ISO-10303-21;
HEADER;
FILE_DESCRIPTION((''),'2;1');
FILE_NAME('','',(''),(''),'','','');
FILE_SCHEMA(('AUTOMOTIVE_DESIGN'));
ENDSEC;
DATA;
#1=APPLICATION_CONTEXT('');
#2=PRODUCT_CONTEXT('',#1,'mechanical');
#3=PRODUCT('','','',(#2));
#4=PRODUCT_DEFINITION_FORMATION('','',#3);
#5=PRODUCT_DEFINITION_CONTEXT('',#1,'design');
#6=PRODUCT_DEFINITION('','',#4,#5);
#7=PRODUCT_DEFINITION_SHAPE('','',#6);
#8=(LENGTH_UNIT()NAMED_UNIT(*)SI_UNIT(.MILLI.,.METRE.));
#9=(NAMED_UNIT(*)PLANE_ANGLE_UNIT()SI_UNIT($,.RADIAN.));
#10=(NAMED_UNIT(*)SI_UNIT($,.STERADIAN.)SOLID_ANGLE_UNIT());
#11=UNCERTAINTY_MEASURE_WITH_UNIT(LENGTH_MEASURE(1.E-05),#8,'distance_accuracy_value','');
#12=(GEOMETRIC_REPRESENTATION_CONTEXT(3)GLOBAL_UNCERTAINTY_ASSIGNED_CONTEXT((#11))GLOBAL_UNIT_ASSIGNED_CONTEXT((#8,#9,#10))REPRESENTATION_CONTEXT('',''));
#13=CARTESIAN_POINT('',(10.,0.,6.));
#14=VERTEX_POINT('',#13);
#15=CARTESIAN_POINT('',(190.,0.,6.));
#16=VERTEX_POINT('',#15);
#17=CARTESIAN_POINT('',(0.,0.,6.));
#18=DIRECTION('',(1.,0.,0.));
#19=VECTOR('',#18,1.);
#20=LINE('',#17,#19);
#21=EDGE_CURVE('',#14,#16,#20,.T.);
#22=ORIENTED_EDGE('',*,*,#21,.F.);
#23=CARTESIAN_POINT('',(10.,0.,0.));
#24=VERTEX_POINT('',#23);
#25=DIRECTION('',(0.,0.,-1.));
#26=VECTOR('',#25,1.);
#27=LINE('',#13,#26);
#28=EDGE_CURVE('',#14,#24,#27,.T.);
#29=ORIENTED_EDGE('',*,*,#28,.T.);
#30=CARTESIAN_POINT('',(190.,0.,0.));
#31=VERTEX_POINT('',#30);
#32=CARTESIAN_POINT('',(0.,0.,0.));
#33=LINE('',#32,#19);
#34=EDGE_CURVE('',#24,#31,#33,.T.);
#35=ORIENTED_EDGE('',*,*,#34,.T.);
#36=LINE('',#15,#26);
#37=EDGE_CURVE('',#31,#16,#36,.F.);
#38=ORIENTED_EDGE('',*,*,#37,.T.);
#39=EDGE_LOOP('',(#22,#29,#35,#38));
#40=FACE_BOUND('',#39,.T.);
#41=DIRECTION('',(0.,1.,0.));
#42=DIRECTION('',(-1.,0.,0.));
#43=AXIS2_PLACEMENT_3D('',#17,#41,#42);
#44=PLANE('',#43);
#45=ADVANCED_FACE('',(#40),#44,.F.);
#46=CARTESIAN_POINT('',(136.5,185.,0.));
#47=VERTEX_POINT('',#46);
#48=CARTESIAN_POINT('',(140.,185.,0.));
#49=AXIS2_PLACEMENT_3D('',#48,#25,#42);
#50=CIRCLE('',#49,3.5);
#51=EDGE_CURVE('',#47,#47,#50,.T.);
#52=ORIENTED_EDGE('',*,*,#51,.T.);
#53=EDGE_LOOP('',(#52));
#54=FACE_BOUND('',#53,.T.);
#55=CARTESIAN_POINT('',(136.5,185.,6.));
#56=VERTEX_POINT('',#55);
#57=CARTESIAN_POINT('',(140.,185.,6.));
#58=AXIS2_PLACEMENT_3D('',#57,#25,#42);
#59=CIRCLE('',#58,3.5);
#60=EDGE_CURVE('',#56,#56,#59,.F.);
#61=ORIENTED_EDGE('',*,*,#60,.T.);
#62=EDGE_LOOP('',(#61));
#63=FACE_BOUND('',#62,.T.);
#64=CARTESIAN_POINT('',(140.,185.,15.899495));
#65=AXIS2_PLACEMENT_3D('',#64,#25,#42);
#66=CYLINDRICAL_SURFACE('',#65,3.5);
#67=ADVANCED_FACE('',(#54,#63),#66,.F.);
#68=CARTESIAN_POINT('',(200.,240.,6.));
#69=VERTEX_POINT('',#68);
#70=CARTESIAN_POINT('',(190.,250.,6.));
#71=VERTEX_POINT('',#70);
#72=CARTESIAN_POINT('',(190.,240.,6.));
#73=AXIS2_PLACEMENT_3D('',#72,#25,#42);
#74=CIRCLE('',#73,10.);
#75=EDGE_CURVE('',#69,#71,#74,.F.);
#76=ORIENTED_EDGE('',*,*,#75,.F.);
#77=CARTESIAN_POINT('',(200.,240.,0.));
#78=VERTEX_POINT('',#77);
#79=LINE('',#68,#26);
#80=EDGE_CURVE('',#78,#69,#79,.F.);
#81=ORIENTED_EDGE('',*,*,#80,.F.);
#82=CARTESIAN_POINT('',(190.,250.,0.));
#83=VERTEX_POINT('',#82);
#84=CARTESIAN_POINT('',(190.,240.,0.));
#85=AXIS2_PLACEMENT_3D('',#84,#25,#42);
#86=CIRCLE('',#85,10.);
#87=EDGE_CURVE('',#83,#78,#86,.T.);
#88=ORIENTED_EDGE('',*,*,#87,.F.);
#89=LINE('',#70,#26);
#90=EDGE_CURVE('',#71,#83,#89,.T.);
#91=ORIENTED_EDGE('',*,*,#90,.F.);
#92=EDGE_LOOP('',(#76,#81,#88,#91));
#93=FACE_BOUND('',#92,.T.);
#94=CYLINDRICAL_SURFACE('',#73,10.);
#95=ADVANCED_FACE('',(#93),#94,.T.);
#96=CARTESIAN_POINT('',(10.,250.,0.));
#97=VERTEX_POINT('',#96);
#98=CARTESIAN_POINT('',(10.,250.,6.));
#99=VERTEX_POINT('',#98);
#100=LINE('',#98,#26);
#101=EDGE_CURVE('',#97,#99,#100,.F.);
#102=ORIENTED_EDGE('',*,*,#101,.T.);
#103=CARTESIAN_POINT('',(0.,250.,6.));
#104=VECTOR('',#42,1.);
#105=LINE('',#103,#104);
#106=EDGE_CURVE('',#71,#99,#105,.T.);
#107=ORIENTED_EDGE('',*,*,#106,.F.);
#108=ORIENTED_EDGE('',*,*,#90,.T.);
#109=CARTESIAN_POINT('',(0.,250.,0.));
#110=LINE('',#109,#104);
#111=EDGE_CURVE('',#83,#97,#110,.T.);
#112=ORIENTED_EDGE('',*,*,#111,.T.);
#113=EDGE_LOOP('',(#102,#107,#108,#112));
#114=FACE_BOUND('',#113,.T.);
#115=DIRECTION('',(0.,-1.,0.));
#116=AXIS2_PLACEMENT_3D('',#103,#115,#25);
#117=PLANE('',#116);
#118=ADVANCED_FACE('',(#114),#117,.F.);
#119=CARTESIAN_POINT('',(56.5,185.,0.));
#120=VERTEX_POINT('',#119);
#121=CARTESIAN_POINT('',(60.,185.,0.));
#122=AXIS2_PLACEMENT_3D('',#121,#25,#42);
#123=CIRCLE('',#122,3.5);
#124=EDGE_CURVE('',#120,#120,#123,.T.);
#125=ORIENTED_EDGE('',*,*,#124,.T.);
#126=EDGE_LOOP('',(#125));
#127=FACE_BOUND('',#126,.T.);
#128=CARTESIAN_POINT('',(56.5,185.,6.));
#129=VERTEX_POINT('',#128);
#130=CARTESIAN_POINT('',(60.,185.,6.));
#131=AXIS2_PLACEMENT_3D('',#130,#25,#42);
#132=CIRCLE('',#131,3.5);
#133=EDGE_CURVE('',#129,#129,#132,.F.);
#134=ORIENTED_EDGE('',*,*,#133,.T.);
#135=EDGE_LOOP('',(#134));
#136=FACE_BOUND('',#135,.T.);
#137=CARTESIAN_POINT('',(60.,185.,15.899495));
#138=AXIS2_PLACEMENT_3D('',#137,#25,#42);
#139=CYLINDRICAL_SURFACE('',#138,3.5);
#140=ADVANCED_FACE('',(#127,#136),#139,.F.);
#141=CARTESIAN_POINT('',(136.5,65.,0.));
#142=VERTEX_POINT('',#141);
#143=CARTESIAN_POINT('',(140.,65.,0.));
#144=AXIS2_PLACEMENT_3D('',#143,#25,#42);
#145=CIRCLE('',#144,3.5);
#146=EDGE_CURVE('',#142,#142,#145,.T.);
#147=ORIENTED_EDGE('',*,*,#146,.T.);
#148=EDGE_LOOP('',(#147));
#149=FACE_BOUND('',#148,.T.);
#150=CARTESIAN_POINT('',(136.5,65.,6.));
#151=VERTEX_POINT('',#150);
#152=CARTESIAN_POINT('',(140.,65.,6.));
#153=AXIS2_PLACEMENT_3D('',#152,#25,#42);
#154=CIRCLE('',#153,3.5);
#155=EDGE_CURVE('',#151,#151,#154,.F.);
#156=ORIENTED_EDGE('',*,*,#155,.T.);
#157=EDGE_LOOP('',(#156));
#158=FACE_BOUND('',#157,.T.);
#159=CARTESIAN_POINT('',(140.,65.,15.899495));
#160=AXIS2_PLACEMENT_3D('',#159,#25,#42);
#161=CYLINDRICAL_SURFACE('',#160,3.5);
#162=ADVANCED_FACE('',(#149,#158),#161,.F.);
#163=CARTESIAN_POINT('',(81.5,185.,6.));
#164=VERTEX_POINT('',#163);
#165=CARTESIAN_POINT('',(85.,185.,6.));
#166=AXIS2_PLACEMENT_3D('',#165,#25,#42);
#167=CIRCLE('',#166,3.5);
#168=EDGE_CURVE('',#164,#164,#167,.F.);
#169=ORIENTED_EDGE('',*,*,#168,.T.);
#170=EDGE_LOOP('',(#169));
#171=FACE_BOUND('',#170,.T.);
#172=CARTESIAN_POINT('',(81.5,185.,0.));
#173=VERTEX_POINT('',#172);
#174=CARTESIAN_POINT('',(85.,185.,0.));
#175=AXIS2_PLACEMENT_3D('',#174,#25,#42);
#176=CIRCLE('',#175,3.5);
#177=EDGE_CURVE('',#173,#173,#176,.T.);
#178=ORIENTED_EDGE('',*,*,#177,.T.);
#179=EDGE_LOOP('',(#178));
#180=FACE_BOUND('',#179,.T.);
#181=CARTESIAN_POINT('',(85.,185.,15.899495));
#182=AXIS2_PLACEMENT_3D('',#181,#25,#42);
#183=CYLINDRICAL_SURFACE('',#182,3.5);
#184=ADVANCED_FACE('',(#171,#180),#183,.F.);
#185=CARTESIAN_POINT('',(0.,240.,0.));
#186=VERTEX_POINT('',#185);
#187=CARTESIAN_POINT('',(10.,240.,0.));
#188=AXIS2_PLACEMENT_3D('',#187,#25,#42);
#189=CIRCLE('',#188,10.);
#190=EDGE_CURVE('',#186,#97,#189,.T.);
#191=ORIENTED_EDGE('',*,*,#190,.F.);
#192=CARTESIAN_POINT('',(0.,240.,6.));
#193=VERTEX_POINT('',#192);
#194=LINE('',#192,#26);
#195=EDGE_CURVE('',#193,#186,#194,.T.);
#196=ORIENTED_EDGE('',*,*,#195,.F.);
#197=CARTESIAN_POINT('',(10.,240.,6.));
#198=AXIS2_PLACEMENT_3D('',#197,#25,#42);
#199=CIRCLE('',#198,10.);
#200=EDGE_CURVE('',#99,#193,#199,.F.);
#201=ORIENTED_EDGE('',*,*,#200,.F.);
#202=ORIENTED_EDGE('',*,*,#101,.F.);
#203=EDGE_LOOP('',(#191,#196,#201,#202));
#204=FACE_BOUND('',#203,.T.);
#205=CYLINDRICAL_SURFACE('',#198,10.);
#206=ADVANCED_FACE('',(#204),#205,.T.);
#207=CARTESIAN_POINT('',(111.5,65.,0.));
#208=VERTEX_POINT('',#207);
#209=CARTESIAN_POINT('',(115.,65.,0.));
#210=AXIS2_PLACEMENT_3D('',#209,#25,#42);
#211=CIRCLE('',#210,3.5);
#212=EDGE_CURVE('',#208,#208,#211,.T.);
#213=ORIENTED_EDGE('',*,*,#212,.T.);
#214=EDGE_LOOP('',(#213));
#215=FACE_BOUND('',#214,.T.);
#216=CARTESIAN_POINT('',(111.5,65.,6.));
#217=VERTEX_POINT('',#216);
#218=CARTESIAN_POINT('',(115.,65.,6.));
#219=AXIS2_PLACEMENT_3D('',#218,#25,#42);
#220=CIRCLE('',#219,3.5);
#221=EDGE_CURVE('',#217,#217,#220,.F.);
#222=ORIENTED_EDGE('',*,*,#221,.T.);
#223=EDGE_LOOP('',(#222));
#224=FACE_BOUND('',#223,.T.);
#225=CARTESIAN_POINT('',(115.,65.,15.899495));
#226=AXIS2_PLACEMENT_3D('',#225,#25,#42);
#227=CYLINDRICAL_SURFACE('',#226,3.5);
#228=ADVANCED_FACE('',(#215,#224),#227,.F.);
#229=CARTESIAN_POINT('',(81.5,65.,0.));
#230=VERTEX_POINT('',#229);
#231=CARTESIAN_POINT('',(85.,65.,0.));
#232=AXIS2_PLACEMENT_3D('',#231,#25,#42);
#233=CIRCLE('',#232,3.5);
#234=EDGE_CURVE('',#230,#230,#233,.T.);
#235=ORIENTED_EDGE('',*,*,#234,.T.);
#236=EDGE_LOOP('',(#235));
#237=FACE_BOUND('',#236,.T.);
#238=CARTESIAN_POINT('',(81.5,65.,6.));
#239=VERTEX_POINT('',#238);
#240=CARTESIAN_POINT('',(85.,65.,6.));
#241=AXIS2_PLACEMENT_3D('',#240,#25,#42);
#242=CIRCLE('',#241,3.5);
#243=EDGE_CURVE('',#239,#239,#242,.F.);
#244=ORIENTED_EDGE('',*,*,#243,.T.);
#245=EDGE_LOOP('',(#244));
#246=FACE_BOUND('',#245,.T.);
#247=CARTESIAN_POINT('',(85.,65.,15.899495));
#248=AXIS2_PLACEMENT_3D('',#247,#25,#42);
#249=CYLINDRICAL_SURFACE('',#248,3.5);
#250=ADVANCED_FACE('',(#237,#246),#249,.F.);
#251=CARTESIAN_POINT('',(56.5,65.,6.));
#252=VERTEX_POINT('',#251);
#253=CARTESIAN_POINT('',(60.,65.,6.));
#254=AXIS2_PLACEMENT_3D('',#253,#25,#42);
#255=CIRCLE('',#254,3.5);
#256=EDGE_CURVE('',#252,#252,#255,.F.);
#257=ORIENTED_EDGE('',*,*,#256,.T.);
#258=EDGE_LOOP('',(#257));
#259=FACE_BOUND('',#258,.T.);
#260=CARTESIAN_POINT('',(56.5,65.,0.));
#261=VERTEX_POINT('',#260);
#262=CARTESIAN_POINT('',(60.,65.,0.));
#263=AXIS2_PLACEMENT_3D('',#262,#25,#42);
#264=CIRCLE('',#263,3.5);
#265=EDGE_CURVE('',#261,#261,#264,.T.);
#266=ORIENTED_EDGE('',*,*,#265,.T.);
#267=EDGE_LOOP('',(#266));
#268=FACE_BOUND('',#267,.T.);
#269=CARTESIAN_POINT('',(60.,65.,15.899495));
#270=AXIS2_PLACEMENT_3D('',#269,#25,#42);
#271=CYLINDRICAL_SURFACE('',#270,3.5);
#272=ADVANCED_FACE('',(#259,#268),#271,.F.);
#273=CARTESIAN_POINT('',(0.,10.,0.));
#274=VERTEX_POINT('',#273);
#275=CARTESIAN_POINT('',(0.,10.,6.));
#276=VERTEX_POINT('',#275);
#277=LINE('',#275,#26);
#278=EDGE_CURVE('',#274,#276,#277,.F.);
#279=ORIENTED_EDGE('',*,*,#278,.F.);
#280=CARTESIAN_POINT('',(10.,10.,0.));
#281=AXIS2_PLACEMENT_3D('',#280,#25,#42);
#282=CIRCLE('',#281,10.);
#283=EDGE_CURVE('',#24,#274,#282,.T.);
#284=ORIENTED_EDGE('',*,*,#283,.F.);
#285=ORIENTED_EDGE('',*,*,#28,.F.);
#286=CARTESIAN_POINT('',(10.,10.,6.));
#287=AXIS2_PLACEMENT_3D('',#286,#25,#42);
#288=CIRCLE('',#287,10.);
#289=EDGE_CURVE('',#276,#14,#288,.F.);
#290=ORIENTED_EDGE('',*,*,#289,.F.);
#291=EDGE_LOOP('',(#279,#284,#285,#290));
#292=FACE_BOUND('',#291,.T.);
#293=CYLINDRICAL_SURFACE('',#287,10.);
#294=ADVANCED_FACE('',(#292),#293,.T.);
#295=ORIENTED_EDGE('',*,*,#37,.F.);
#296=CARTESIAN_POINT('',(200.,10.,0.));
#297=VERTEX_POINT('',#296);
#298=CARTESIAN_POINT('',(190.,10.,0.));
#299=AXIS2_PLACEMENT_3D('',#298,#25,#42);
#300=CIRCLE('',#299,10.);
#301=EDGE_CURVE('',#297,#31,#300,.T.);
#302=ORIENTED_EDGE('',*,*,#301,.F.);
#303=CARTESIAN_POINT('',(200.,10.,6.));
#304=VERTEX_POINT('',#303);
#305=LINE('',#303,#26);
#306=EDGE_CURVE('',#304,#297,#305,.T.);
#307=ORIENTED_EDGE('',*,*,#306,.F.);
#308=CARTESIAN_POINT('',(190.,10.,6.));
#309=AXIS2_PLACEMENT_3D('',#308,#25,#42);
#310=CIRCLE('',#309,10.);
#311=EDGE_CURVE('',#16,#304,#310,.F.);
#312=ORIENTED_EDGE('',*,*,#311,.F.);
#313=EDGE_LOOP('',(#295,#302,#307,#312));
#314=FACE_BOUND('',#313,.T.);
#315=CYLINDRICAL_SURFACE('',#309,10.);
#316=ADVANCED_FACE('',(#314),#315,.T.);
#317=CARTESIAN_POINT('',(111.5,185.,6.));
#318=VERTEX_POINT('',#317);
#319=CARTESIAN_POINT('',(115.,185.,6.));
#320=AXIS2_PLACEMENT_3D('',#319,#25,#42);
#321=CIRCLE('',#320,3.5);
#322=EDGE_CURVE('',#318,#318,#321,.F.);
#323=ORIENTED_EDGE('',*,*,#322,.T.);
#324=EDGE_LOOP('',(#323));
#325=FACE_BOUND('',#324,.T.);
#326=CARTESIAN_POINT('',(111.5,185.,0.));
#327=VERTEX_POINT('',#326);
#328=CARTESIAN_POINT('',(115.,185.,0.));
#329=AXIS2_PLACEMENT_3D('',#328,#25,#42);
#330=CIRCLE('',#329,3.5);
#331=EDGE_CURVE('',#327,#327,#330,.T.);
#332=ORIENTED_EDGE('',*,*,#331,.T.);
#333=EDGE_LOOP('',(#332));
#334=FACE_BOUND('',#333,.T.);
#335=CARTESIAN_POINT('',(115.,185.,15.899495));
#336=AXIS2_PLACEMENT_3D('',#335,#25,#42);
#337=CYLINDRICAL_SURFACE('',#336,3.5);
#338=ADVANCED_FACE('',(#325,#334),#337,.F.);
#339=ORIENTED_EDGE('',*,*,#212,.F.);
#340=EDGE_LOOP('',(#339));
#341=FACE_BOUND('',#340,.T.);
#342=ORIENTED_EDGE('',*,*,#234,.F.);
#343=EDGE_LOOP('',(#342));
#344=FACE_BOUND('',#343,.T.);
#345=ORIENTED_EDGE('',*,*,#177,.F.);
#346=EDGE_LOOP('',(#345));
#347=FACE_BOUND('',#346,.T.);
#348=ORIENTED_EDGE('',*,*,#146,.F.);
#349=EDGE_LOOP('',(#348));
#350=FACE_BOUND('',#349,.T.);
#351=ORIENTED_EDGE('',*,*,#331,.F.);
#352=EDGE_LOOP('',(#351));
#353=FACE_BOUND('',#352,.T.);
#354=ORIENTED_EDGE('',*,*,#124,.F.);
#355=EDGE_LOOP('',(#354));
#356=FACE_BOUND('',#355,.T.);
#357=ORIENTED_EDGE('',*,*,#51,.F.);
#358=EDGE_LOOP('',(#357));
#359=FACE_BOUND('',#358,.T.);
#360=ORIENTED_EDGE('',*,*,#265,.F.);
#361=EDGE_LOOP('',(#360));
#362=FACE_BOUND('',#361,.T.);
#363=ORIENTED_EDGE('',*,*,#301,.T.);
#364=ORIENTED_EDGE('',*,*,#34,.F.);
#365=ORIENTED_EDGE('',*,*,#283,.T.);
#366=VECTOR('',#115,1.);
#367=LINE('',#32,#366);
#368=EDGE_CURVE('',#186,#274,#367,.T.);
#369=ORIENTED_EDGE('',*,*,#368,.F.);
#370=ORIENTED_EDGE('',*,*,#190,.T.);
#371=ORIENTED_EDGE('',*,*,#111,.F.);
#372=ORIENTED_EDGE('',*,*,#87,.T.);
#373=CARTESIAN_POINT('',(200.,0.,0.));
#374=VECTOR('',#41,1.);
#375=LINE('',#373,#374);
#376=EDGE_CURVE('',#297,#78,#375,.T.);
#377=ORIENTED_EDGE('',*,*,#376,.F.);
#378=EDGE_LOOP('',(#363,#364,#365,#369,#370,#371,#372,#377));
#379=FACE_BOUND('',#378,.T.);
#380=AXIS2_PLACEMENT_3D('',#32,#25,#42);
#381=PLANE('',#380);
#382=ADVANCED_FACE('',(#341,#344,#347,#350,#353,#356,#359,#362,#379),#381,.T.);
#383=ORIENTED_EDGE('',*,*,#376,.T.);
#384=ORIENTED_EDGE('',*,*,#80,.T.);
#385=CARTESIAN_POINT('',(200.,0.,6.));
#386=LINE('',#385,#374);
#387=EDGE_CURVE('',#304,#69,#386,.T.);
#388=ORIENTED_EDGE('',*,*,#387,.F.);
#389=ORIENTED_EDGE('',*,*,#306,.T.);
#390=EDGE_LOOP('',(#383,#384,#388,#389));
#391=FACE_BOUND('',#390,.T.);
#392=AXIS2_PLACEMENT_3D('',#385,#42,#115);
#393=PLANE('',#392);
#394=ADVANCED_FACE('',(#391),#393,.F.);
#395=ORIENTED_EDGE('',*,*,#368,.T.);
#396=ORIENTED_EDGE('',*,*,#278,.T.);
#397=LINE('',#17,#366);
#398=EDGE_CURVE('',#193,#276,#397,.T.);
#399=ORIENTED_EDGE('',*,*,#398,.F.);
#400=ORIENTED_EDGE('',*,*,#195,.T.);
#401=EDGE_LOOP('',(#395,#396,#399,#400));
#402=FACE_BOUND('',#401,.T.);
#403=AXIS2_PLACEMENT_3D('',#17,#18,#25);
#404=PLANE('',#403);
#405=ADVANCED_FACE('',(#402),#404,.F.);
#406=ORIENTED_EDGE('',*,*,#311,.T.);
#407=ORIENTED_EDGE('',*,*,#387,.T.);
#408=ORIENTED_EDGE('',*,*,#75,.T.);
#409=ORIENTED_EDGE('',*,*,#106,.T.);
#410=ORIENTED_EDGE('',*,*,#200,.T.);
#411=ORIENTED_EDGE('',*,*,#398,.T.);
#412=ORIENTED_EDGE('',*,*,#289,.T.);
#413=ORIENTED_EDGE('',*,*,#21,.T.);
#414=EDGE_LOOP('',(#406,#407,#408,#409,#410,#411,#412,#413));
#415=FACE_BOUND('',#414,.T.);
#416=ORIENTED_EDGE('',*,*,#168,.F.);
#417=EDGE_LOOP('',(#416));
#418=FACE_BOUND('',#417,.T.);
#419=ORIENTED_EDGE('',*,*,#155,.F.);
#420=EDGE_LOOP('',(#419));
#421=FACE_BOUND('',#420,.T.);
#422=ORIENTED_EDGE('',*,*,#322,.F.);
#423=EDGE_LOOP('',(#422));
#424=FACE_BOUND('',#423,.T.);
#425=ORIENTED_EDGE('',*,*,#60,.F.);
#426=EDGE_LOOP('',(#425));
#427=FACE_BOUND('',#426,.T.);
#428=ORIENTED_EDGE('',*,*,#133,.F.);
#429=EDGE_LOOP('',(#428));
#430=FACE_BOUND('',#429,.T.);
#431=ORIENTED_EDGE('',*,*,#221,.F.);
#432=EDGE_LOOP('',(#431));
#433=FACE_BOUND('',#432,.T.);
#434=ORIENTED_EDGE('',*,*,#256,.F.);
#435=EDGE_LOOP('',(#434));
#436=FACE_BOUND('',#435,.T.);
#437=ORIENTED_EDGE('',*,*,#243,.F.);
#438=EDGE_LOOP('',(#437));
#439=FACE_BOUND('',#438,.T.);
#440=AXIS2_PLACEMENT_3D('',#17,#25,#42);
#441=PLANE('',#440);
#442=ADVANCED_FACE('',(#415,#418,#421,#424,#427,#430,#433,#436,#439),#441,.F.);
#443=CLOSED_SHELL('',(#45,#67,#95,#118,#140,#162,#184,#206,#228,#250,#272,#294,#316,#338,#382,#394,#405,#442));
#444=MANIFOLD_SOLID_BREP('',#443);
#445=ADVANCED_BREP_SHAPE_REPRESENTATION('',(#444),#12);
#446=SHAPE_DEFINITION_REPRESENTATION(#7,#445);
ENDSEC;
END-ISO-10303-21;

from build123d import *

# Parameters (mm, degrees)
SKETCH1_W           = 200
SKETCH1_H           = 250
BOSS_EXTRUDE1_DEPTH = 6
SKETCH2_R           = 3.5
CUT_EXTRUDE1_DEPTH  = 6
FILLET1_R           = 10


with BuildPart() as part:
    # Sketch1 → Boss-Extrude1 (new body)
    with BuildSketch(Plane.XY):
        with Locations((100, 125)):
            Rectangle(SKETCH1_W, SKETCH1_H)
    extrude(amount=BOSS_EXTRUDE1_DEPTH)

    # Sketch2 → Cut-Extrude1 (cut)
    with BuildSketch(Plane(origin=(0, 0, 0), x_dir=(-1, 0, 0), z_dir=(0, 0, -1))):
        with Locations((-60, 65)):
            Circle(SKETCH2_R)
        with Locations((-85, 65)):
            Circle(SKETCH2_R)
        with Locations((-140, 65)):
            Circle(SKETCH2_R)
        with Locations((-115, 65)):
            Circle(SKETCH2_R)
        with Locations((-140, 185)):
            Circle(SKETCH2_R)
        with Locations((-115, 185)):
            Circle(SKETCH2_R)
        with Locations((-85, 185)):
            Circle(SKETCH2_R)
        with Locations((-60, 185)):
            Circle(SKETCH2_R)
    extrude(amount=-CUT_EXTRUDE1_DEPTH, mode=Mode.SUBTRACT)

    # Fillet1
    fillet1_edges = [part.edges().sort_by_distance(p)[0] for p in [
        (0, 250, 3),
        (200, 250, 3),
        (200, 0, 3),
        (0, 0, 3),
    ]]
    fillet(fillet1_edges, radius=FILLET1_R)


solid = part.part
